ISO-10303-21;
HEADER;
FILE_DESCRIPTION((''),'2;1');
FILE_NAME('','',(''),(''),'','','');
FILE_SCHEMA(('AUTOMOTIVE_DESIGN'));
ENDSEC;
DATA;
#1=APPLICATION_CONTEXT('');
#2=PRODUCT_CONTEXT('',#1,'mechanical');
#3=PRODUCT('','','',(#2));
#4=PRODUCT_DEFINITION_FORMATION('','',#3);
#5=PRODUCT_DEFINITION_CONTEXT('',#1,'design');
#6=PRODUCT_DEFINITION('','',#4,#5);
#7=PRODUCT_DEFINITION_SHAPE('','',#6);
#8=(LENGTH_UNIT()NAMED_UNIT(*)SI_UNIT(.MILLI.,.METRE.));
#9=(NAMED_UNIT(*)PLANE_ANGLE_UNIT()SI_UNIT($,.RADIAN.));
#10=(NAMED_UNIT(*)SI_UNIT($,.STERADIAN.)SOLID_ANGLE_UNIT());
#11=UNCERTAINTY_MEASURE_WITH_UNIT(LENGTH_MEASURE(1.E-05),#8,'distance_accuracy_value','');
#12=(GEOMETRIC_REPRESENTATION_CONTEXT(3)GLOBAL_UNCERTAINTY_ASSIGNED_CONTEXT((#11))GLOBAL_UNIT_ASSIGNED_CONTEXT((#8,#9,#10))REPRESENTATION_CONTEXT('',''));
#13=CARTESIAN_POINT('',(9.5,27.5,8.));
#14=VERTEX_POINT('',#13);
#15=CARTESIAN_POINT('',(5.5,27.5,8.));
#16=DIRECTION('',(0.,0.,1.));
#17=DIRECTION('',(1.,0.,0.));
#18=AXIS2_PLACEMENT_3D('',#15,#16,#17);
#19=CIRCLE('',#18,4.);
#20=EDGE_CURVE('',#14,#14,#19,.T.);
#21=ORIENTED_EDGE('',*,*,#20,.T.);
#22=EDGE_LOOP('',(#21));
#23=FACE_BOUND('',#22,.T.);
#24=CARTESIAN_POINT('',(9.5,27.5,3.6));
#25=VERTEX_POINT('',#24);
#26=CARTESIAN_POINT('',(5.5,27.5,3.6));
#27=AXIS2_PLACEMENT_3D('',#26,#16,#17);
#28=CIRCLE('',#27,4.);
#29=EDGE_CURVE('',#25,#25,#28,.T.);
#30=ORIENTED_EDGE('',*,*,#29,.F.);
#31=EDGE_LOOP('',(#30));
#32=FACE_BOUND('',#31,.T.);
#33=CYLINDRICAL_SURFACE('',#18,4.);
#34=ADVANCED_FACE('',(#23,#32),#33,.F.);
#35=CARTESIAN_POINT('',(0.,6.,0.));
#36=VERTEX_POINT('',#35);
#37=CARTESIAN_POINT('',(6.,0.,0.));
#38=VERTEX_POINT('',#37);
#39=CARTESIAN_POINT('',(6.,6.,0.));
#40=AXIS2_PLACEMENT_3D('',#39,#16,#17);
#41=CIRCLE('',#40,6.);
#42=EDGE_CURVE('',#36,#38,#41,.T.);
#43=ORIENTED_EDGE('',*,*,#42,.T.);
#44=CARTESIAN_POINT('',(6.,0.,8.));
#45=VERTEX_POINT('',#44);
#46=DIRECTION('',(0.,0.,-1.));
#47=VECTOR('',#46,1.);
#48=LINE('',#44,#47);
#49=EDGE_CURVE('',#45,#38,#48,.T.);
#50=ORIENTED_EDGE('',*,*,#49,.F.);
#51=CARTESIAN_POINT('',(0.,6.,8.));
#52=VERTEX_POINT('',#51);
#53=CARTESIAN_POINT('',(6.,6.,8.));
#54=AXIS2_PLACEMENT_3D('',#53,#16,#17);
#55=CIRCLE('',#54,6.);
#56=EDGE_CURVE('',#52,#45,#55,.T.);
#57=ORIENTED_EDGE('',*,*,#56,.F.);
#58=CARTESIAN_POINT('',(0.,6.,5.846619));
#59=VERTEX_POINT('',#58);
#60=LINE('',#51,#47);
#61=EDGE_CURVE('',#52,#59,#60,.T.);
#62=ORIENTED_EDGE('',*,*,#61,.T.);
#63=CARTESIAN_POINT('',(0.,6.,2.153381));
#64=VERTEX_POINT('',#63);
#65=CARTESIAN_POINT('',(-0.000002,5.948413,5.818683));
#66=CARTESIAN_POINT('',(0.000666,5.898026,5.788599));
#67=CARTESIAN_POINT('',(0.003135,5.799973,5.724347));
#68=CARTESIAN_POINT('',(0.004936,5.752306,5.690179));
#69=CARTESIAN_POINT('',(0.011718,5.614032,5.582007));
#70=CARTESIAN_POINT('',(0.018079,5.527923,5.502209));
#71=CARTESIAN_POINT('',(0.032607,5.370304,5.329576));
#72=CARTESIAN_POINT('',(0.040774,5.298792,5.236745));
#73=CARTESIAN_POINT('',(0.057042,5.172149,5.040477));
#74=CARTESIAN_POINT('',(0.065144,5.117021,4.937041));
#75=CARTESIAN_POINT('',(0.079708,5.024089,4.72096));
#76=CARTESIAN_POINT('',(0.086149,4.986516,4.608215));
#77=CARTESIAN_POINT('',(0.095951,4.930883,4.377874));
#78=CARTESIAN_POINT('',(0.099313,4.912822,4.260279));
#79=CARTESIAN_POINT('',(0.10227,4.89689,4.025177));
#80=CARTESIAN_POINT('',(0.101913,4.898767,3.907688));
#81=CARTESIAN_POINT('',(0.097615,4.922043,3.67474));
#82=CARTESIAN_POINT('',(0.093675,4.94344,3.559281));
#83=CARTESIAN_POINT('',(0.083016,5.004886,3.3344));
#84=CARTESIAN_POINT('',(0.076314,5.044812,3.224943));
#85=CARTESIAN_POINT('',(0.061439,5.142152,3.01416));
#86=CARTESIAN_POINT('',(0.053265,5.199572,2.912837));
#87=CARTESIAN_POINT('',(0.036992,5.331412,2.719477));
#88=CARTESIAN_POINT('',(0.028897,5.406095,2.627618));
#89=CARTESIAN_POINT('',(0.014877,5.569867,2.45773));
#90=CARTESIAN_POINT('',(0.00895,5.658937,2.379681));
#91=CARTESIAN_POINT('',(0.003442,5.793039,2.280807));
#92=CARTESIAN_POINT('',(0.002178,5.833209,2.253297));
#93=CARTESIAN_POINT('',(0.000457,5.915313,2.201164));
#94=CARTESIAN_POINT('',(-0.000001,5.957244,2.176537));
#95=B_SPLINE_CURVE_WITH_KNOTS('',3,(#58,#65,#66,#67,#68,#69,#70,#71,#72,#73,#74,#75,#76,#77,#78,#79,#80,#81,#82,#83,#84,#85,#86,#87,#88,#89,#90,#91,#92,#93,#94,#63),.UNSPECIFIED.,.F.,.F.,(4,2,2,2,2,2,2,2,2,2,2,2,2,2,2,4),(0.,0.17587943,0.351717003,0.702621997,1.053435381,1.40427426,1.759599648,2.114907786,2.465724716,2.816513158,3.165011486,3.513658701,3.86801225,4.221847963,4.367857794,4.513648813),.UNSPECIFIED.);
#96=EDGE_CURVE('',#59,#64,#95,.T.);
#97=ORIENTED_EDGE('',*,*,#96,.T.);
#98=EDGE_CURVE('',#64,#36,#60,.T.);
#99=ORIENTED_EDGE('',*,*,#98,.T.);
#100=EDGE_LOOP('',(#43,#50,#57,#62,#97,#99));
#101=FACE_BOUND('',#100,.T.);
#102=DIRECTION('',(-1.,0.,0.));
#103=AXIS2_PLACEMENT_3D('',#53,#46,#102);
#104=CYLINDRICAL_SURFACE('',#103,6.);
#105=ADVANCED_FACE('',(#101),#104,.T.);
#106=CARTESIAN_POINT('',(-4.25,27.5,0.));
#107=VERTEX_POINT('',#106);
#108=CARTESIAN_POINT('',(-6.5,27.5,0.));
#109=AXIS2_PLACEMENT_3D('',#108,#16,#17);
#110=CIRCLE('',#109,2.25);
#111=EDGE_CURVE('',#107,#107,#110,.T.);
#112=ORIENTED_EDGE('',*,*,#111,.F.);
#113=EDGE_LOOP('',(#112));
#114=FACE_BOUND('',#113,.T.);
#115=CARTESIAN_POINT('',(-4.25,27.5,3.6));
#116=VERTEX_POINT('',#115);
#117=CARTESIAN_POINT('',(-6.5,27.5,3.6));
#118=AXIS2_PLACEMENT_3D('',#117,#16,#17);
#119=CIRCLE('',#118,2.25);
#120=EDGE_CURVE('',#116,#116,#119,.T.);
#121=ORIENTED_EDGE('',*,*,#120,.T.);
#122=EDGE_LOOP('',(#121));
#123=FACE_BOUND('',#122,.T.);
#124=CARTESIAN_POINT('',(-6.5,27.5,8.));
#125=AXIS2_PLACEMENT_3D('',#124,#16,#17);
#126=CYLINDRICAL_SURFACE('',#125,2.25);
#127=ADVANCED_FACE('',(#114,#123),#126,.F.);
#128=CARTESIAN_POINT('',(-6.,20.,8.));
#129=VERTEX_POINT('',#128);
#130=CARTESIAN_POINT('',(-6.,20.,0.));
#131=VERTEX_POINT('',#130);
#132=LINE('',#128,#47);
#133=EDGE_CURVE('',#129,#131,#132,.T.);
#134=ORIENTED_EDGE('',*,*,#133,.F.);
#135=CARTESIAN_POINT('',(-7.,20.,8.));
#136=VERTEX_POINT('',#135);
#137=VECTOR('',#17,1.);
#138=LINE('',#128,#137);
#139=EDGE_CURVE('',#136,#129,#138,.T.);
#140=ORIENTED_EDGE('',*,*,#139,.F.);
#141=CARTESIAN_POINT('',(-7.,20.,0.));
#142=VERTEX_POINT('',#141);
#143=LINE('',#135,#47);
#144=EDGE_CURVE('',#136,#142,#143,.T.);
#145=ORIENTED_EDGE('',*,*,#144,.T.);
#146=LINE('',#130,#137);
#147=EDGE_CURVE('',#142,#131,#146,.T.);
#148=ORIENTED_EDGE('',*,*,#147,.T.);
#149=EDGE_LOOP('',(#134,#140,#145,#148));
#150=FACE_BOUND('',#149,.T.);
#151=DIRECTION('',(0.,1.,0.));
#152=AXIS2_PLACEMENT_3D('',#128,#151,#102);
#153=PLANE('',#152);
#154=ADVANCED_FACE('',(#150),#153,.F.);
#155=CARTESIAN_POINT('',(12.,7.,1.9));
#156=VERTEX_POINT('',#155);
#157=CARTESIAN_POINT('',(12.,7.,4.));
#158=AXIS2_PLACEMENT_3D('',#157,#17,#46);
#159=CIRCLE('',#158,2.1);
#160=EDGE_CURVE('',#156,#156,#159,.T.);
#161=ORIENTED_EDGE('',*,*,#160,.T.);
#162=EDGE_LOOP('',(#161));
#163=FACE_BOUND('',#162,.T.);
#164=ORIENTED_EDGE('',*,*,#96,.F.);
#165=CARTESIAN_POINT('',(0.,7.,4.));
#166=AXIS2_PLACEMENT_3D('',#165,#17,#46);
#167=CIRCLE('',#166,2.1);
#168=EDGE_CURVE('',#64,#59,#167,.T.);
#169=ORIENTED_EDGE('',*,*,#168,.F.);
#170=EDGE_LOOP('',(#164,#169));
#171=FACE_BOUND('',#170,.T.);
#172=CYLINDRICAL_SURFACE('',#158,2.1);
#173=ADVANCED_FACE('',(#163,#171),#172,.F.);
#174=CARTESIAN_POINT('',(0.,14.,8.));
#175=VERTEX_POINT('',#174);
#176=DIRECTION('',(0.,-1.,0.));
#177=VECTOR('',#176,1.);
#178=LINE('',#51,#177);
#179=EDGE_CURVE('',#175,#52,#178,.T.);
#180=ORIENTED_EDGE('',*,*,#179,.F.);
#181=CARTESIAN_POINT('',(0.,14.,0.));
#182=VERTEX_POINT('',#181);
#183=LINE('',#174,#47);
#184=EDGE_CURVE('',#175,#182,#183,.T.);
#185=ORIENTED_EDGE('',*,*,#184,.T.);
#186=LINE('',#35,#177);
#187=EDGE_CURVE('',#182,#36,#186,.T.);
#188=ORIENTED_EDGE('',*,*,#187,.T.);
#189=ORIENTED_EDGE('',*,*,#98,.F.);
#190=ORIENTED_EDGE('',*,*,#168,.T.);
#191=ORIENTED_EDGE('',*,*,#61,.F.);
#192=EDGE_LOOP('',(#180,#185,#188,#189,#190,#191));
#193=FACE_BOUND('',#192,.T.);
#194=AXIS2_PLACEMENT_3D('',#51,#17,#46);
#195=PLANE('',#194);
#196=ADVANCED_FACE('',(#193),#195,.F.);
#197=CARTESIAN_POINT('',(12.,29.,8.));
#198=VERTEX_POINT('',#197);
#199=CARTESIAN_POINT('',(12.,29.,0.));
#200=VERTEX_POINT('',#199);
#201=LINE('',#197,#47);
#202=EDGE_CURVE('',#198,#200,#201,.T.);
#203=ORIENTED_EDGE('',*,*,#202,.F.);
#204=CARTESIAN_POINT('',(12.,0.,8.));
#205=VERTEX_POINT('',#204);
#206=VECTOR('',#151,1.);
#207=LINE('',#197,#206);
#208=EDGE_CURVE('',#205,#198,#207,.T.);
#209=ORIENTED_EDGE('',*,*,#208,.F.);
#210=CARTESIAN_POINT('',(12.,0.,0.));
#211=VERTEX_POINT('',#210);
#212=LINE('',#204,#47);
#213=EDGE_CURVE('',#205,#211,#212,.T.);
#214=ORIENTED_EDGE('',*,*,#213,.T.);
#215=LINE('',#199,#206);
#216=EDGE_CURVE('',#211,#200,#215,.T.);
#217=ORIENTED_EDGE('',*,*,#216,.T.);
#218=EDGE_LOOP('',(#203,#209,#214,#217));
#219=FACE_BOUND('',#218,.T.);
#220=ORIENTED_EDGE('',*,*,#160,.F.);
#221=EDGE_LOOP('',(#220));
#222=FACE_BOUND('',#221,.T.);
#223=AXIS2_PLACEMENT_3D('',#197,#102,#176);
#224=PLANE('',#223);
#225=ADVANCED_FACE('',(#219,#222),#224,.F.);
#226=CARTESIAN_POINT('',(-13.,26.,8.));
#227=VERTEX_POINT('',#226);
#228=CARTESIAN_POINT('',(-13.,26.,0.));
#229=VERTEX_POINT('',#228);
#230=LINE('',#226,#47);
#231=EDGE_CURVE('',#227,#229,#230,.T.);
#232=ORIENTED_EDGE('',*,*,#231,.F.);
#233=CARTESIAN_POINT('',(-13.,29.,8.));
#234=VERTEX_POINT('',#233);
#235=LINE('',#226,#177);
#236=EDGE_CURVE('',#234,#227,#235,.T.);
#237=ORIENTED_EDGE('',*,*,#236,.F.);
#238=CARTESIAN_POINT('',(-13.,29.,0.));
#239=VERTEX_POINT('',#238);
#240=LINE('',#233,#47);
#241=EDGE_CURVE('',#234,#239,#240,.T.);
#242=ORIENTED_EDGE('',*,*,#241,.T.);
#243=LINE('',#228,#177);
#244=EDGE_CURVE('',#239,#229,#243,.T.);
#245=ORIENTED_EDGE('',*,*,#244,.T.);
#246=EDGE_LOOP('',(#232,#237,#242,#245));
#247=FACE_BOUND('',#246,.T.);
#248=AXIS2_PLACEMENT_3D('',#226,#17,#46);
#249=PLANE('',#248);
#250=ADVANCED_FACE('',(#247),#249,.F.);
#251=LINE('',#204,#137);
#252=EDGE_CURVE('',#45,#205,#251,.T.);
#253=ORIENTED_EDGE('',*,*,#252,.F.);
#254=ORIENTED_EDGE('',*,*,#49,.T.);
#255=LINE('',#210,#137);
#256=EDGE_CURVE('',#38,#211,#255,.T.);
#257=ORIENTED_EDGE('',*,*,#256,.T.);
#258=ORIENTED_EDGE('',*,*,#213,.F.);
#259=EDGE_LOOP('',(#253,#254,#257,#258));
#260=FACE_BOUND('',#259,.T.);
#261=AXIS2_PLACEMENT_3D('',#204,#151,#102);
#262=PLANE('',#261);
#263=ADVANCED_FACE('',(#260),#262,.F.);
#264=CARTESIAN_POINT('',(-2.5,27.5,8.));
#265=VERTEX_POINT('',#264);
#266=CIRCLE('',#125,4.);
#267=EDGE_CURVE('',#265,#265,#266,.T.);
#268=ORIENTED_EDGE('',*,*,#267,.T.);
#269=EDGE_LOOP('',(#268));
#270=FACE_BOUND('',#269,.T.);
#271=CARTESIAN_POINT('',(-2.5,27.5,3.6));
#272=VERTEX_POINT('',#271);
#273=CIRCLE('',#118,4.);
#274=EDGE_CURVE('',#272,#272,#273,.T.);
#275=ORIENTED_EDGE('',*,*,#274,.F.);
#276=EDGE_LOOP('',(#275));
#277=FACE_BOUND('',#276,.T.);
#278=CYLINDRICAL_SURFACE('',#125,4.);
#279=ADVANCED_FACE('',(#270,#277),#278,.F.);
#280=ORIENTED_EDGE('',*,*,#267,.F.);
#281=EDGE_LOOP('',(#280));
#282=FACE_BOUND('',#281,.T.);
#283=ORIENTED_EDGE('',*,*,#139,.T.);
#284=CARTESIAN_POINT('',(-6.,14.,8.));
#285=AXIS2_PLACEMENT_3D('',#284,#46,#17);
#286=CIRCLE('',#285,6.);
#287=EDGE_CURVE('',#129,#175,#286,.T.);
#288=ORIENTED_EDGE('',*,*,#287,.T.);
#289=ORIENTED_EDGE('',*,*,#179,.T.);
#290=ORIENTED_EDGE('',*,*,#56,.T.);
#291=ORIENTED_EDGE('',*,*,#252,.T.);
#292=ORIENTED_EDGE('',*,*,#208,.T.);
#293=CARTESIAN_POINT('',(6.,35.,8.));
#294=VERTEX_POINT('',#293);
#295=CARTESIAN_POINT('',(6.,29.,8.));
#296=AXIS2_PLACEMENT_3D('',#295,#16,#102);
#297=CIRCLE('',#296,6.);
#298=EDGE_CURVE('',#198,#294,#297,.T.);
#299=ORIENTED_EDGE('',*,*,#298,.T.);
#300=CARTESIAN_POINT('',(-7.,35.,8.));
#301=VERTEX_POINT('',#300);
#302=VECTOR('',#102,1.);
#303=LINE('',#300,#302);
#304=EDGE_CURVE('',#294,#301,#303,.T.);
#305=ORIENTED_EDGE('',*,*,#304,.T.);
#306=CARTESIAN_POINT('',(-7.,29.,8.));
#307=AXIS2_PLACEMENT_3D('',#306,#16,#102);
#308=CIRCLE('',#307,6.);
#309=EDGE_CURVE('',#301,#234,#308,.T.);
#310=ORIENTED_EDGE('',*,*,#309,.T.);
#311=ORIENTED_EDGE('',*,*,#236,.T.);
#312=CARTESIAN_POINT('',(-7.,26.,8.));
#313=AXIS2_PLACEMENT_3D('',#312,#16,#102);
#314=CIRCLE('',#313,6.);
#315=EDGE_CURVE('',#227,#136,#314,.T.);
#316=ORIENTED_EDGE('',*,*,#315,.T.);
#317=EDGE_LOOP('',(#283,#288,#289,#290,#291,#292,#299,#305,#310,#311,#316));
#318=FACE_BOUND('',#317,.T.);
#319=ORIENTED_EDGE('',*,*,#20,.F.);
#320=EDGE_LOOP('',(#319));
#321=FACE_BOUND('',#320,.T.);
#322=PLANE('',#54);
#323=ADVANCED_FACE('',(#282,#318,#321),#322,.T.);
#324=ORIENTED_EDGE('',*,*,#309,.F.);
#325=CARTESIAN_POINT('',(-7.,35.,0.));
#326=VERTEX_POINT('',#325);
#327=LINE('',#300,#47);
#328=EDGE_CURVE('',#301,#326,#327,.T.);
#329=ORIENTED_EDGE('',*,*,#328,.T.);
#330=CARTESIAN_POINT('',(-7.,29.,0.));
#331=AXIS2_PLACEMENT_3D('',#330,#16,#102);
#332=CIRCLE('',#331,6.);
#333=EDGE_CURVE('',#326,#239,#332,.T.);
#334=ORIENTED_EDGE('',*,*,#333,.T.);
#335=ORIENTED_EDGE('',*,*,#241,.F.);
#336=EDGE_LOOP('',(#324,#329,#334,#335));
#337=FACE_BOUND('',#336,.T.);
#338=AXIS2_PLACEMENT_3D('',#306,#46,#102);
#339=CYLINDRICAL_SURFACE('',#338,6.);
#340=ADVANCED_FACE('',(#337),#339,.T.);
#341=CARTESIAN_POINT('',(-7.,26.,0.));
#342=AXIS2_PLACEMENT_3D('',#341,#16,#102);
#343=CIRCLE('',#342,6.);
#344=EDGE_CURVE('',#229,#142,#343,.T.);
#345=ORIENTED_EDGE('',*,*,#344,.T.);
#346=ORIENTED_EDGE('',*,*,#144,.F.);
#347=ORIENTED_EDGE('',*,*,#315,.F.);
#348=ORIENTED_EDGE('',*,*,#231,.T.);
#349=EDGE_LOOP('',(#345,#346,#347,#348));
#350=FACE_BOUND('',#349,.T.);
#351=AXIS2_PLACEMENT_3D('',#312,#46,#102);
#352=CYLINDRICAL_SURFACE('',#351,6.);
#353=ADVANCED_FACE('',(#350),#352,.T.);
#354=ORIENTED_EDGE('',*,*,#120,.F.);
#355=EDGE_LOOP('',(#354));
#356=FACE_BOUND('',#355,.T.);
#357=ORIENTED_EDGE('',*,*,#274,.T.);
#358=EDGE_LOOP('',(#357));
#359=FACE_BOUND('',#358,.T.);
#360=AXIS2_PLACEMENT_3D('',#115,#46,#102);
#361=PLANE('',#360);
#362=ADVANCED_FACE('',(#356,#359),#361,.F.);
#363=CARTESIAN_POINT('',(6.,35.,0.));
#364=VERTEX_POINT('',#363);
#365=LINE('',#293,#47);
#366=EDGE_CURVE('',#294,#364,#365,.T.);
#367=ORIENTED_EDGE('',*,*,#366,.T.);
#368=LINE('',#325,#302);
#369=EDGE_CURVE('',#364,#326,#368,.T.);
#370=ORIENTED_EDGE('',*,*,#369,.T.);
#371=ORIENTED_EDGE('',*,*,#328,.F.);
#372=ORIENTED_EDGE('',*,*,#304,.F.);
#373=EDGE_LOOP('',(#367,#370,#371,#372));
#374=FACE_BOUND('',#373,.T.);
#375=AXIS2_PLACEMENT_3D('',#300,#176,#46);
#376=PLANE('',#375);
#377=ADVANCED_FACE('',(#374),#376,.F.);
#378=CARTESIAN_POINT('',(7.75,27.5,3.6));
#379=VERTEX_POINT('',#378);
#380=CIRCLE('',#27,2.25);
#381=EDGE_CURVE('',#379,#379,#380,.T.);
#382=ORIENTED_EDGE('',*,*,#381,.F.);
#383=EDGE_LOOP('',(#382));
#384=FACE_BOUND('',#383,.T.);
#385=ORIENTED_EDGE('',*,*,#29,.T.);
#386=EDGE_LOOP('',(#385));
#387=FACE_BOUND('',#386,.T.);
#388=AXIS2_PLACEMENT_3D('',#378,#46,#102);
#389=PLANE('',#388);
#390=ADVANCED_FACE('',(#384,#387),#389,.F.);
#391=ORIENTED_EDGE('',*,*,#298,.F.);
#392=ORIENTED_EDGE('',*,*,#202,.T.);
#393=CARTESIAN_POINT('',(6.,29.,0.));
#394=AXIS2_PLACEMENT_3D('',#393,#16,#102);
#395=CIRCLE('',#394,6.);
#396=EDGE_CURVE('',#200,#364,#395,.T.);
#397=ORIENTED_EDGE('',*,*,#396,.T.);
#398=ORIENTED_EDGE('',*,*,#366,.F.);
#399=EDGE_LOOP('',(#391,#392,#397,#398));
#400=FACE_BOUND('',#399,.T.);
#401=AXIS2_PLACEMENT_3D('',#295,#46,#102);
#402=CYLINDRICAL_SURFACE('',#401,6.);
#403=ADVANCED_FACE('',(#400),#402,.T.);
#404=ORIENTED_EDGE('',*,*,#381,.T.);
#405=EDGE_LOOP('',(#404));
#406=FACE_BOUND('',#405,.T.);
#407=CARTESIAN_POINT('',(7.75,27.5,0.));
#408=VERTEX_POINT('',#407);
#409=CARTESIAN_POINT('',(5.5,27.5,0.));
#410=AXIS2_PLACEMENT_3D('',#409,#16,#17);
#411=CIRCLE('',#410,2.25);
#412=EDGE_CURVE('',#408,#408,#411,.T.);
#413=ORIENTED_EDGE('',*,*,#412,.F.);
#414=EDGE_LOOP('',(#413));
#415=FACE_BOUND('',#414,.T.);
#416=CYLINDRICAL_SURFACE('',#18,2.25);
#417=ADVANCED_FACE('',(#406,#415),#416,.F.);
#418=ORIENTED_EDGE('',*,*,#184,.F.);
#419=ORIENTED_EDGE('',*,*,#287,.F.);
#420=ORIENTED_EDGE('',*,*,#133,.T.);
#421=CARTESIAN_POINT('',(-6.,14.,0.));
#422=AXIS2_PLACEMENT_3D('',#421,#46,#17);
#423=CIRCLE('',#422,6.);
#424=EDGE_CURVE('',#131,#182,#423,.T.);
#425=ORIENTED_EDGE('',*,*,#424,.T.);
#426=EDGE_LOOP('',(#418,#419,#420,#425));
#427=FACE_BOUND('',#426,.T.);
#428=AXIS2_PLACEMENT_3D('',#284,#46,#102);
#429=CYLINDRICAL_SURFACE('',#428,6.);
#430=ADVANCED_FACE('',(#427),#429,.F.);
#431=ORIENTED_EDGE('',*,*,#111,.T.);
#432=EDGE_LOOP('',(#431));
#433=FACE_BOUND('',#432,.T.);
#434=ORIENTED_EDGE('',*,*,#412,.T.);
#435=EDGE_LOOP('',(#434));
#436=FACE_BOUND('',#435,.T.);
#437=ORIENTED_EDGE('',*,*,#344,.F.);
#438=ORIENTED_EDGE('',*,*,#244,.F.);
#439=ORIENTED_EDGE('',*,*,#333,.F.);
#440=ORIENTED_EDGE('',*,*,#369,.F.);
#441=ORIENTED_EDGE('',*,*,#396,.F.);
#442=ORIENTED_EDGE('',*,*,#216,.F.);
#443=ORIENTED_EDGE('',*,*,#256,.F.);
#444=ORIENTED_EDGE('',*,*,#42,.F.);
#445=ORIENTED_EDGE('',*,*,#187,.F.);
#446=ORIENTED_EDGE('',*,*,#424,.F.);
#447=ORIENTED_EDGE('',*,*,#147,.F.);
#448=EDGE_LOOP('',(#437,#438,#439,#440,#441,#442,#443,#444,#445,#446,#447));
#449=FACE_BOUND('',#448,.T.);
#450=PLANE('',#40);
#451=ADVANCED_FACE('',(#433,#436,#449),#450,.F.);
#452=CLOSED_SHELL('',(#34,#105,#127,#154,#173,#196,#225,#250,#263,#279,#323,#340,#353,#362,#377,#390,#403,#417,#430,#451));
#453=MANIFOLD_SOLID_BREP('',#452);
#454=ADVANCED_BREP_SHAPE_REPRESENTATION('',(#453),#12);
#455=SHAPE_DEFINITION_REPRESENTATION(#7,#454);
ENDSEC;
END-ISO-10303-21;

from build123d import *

# Parameters (mm, degrees)
EXTRUDE1_DEPTH                                      = 8
CBORE_FOR_M4_HEX_SOCKET_HEAD_CAP_SCREW1_D           = 4.5
CBORE_FOR_M4_HEX_SOCKET_HEAD_CAP_SCREW1_CBORE_D     = 8
CBORE_FOR_M4_HEX_SOCKET_HEAD_CAP_SCREW1_CBORE_DEPTH = 4.4
M5_TAPPED_HOLE1_D                                   = 4.2


with BuildPart() as part:
    # Sketch1 → Extrude1 (new body)
    with BuildSketch(Plane.XY):
        with BuildLine():
            Line((0, 6), (0, 14))
            ThreePointArc((0, 14), (-1.757359313, 18.242640687), (-6, 20))
            Line((-6, 20), (-7, 20))
            ThreePointArc((-7, 20), (-11.242640687, 21.757359313), (-13, 26))
            Line((-13, 26), (-13, 29))
            ThreePointArc((-13, 29), (-11.242640687, 33.242640687), (-7, 35))
            Line((-7, 35), (6, 35))
            ThreePointArc((6, 35), (10.242640687, 33.242640687), (12, 29))
            Line((12, 29), (12, 0))
            Line((12, 0), (6, 0))
            ThreePointArc((6, 0), (1.757359313, 1.757359313), (0, 6))
        make_face()
    extrude(amount=EXTRUDE1_DEPTH)

    # CBORE for M4 Hex Socket Head Cap Screw1 (through all)
    with Locations(Plane.XY.offset(8)):
        with Locations((-6.5, 27.5), (5.5, 27.5)):
            CounterBoreHole(CBORE_FOR_M4_HEX_SOCKET_HEAD_CAP_SCREW1_D / 2, CBORE_FOR_M4_HEX_SOCKET_HEAD_CAP_SCREW1_CBORE_D / 2, CBORE_FOR_M4_HEX_SOCKET_HEAD_CAP_SCREW1_CBORE_DEPTH)

    # M5 Tapped Hole1 (through all)
    with Locations(Plane(origin=(12, 0, 0), x_dir=(0, 0, -1), z_dir=(1, 0, 0))):
        with Locations((-4, 7)):
            Hole(M5_TAPPED_HOLE1_D / 2)


solid = part.part
